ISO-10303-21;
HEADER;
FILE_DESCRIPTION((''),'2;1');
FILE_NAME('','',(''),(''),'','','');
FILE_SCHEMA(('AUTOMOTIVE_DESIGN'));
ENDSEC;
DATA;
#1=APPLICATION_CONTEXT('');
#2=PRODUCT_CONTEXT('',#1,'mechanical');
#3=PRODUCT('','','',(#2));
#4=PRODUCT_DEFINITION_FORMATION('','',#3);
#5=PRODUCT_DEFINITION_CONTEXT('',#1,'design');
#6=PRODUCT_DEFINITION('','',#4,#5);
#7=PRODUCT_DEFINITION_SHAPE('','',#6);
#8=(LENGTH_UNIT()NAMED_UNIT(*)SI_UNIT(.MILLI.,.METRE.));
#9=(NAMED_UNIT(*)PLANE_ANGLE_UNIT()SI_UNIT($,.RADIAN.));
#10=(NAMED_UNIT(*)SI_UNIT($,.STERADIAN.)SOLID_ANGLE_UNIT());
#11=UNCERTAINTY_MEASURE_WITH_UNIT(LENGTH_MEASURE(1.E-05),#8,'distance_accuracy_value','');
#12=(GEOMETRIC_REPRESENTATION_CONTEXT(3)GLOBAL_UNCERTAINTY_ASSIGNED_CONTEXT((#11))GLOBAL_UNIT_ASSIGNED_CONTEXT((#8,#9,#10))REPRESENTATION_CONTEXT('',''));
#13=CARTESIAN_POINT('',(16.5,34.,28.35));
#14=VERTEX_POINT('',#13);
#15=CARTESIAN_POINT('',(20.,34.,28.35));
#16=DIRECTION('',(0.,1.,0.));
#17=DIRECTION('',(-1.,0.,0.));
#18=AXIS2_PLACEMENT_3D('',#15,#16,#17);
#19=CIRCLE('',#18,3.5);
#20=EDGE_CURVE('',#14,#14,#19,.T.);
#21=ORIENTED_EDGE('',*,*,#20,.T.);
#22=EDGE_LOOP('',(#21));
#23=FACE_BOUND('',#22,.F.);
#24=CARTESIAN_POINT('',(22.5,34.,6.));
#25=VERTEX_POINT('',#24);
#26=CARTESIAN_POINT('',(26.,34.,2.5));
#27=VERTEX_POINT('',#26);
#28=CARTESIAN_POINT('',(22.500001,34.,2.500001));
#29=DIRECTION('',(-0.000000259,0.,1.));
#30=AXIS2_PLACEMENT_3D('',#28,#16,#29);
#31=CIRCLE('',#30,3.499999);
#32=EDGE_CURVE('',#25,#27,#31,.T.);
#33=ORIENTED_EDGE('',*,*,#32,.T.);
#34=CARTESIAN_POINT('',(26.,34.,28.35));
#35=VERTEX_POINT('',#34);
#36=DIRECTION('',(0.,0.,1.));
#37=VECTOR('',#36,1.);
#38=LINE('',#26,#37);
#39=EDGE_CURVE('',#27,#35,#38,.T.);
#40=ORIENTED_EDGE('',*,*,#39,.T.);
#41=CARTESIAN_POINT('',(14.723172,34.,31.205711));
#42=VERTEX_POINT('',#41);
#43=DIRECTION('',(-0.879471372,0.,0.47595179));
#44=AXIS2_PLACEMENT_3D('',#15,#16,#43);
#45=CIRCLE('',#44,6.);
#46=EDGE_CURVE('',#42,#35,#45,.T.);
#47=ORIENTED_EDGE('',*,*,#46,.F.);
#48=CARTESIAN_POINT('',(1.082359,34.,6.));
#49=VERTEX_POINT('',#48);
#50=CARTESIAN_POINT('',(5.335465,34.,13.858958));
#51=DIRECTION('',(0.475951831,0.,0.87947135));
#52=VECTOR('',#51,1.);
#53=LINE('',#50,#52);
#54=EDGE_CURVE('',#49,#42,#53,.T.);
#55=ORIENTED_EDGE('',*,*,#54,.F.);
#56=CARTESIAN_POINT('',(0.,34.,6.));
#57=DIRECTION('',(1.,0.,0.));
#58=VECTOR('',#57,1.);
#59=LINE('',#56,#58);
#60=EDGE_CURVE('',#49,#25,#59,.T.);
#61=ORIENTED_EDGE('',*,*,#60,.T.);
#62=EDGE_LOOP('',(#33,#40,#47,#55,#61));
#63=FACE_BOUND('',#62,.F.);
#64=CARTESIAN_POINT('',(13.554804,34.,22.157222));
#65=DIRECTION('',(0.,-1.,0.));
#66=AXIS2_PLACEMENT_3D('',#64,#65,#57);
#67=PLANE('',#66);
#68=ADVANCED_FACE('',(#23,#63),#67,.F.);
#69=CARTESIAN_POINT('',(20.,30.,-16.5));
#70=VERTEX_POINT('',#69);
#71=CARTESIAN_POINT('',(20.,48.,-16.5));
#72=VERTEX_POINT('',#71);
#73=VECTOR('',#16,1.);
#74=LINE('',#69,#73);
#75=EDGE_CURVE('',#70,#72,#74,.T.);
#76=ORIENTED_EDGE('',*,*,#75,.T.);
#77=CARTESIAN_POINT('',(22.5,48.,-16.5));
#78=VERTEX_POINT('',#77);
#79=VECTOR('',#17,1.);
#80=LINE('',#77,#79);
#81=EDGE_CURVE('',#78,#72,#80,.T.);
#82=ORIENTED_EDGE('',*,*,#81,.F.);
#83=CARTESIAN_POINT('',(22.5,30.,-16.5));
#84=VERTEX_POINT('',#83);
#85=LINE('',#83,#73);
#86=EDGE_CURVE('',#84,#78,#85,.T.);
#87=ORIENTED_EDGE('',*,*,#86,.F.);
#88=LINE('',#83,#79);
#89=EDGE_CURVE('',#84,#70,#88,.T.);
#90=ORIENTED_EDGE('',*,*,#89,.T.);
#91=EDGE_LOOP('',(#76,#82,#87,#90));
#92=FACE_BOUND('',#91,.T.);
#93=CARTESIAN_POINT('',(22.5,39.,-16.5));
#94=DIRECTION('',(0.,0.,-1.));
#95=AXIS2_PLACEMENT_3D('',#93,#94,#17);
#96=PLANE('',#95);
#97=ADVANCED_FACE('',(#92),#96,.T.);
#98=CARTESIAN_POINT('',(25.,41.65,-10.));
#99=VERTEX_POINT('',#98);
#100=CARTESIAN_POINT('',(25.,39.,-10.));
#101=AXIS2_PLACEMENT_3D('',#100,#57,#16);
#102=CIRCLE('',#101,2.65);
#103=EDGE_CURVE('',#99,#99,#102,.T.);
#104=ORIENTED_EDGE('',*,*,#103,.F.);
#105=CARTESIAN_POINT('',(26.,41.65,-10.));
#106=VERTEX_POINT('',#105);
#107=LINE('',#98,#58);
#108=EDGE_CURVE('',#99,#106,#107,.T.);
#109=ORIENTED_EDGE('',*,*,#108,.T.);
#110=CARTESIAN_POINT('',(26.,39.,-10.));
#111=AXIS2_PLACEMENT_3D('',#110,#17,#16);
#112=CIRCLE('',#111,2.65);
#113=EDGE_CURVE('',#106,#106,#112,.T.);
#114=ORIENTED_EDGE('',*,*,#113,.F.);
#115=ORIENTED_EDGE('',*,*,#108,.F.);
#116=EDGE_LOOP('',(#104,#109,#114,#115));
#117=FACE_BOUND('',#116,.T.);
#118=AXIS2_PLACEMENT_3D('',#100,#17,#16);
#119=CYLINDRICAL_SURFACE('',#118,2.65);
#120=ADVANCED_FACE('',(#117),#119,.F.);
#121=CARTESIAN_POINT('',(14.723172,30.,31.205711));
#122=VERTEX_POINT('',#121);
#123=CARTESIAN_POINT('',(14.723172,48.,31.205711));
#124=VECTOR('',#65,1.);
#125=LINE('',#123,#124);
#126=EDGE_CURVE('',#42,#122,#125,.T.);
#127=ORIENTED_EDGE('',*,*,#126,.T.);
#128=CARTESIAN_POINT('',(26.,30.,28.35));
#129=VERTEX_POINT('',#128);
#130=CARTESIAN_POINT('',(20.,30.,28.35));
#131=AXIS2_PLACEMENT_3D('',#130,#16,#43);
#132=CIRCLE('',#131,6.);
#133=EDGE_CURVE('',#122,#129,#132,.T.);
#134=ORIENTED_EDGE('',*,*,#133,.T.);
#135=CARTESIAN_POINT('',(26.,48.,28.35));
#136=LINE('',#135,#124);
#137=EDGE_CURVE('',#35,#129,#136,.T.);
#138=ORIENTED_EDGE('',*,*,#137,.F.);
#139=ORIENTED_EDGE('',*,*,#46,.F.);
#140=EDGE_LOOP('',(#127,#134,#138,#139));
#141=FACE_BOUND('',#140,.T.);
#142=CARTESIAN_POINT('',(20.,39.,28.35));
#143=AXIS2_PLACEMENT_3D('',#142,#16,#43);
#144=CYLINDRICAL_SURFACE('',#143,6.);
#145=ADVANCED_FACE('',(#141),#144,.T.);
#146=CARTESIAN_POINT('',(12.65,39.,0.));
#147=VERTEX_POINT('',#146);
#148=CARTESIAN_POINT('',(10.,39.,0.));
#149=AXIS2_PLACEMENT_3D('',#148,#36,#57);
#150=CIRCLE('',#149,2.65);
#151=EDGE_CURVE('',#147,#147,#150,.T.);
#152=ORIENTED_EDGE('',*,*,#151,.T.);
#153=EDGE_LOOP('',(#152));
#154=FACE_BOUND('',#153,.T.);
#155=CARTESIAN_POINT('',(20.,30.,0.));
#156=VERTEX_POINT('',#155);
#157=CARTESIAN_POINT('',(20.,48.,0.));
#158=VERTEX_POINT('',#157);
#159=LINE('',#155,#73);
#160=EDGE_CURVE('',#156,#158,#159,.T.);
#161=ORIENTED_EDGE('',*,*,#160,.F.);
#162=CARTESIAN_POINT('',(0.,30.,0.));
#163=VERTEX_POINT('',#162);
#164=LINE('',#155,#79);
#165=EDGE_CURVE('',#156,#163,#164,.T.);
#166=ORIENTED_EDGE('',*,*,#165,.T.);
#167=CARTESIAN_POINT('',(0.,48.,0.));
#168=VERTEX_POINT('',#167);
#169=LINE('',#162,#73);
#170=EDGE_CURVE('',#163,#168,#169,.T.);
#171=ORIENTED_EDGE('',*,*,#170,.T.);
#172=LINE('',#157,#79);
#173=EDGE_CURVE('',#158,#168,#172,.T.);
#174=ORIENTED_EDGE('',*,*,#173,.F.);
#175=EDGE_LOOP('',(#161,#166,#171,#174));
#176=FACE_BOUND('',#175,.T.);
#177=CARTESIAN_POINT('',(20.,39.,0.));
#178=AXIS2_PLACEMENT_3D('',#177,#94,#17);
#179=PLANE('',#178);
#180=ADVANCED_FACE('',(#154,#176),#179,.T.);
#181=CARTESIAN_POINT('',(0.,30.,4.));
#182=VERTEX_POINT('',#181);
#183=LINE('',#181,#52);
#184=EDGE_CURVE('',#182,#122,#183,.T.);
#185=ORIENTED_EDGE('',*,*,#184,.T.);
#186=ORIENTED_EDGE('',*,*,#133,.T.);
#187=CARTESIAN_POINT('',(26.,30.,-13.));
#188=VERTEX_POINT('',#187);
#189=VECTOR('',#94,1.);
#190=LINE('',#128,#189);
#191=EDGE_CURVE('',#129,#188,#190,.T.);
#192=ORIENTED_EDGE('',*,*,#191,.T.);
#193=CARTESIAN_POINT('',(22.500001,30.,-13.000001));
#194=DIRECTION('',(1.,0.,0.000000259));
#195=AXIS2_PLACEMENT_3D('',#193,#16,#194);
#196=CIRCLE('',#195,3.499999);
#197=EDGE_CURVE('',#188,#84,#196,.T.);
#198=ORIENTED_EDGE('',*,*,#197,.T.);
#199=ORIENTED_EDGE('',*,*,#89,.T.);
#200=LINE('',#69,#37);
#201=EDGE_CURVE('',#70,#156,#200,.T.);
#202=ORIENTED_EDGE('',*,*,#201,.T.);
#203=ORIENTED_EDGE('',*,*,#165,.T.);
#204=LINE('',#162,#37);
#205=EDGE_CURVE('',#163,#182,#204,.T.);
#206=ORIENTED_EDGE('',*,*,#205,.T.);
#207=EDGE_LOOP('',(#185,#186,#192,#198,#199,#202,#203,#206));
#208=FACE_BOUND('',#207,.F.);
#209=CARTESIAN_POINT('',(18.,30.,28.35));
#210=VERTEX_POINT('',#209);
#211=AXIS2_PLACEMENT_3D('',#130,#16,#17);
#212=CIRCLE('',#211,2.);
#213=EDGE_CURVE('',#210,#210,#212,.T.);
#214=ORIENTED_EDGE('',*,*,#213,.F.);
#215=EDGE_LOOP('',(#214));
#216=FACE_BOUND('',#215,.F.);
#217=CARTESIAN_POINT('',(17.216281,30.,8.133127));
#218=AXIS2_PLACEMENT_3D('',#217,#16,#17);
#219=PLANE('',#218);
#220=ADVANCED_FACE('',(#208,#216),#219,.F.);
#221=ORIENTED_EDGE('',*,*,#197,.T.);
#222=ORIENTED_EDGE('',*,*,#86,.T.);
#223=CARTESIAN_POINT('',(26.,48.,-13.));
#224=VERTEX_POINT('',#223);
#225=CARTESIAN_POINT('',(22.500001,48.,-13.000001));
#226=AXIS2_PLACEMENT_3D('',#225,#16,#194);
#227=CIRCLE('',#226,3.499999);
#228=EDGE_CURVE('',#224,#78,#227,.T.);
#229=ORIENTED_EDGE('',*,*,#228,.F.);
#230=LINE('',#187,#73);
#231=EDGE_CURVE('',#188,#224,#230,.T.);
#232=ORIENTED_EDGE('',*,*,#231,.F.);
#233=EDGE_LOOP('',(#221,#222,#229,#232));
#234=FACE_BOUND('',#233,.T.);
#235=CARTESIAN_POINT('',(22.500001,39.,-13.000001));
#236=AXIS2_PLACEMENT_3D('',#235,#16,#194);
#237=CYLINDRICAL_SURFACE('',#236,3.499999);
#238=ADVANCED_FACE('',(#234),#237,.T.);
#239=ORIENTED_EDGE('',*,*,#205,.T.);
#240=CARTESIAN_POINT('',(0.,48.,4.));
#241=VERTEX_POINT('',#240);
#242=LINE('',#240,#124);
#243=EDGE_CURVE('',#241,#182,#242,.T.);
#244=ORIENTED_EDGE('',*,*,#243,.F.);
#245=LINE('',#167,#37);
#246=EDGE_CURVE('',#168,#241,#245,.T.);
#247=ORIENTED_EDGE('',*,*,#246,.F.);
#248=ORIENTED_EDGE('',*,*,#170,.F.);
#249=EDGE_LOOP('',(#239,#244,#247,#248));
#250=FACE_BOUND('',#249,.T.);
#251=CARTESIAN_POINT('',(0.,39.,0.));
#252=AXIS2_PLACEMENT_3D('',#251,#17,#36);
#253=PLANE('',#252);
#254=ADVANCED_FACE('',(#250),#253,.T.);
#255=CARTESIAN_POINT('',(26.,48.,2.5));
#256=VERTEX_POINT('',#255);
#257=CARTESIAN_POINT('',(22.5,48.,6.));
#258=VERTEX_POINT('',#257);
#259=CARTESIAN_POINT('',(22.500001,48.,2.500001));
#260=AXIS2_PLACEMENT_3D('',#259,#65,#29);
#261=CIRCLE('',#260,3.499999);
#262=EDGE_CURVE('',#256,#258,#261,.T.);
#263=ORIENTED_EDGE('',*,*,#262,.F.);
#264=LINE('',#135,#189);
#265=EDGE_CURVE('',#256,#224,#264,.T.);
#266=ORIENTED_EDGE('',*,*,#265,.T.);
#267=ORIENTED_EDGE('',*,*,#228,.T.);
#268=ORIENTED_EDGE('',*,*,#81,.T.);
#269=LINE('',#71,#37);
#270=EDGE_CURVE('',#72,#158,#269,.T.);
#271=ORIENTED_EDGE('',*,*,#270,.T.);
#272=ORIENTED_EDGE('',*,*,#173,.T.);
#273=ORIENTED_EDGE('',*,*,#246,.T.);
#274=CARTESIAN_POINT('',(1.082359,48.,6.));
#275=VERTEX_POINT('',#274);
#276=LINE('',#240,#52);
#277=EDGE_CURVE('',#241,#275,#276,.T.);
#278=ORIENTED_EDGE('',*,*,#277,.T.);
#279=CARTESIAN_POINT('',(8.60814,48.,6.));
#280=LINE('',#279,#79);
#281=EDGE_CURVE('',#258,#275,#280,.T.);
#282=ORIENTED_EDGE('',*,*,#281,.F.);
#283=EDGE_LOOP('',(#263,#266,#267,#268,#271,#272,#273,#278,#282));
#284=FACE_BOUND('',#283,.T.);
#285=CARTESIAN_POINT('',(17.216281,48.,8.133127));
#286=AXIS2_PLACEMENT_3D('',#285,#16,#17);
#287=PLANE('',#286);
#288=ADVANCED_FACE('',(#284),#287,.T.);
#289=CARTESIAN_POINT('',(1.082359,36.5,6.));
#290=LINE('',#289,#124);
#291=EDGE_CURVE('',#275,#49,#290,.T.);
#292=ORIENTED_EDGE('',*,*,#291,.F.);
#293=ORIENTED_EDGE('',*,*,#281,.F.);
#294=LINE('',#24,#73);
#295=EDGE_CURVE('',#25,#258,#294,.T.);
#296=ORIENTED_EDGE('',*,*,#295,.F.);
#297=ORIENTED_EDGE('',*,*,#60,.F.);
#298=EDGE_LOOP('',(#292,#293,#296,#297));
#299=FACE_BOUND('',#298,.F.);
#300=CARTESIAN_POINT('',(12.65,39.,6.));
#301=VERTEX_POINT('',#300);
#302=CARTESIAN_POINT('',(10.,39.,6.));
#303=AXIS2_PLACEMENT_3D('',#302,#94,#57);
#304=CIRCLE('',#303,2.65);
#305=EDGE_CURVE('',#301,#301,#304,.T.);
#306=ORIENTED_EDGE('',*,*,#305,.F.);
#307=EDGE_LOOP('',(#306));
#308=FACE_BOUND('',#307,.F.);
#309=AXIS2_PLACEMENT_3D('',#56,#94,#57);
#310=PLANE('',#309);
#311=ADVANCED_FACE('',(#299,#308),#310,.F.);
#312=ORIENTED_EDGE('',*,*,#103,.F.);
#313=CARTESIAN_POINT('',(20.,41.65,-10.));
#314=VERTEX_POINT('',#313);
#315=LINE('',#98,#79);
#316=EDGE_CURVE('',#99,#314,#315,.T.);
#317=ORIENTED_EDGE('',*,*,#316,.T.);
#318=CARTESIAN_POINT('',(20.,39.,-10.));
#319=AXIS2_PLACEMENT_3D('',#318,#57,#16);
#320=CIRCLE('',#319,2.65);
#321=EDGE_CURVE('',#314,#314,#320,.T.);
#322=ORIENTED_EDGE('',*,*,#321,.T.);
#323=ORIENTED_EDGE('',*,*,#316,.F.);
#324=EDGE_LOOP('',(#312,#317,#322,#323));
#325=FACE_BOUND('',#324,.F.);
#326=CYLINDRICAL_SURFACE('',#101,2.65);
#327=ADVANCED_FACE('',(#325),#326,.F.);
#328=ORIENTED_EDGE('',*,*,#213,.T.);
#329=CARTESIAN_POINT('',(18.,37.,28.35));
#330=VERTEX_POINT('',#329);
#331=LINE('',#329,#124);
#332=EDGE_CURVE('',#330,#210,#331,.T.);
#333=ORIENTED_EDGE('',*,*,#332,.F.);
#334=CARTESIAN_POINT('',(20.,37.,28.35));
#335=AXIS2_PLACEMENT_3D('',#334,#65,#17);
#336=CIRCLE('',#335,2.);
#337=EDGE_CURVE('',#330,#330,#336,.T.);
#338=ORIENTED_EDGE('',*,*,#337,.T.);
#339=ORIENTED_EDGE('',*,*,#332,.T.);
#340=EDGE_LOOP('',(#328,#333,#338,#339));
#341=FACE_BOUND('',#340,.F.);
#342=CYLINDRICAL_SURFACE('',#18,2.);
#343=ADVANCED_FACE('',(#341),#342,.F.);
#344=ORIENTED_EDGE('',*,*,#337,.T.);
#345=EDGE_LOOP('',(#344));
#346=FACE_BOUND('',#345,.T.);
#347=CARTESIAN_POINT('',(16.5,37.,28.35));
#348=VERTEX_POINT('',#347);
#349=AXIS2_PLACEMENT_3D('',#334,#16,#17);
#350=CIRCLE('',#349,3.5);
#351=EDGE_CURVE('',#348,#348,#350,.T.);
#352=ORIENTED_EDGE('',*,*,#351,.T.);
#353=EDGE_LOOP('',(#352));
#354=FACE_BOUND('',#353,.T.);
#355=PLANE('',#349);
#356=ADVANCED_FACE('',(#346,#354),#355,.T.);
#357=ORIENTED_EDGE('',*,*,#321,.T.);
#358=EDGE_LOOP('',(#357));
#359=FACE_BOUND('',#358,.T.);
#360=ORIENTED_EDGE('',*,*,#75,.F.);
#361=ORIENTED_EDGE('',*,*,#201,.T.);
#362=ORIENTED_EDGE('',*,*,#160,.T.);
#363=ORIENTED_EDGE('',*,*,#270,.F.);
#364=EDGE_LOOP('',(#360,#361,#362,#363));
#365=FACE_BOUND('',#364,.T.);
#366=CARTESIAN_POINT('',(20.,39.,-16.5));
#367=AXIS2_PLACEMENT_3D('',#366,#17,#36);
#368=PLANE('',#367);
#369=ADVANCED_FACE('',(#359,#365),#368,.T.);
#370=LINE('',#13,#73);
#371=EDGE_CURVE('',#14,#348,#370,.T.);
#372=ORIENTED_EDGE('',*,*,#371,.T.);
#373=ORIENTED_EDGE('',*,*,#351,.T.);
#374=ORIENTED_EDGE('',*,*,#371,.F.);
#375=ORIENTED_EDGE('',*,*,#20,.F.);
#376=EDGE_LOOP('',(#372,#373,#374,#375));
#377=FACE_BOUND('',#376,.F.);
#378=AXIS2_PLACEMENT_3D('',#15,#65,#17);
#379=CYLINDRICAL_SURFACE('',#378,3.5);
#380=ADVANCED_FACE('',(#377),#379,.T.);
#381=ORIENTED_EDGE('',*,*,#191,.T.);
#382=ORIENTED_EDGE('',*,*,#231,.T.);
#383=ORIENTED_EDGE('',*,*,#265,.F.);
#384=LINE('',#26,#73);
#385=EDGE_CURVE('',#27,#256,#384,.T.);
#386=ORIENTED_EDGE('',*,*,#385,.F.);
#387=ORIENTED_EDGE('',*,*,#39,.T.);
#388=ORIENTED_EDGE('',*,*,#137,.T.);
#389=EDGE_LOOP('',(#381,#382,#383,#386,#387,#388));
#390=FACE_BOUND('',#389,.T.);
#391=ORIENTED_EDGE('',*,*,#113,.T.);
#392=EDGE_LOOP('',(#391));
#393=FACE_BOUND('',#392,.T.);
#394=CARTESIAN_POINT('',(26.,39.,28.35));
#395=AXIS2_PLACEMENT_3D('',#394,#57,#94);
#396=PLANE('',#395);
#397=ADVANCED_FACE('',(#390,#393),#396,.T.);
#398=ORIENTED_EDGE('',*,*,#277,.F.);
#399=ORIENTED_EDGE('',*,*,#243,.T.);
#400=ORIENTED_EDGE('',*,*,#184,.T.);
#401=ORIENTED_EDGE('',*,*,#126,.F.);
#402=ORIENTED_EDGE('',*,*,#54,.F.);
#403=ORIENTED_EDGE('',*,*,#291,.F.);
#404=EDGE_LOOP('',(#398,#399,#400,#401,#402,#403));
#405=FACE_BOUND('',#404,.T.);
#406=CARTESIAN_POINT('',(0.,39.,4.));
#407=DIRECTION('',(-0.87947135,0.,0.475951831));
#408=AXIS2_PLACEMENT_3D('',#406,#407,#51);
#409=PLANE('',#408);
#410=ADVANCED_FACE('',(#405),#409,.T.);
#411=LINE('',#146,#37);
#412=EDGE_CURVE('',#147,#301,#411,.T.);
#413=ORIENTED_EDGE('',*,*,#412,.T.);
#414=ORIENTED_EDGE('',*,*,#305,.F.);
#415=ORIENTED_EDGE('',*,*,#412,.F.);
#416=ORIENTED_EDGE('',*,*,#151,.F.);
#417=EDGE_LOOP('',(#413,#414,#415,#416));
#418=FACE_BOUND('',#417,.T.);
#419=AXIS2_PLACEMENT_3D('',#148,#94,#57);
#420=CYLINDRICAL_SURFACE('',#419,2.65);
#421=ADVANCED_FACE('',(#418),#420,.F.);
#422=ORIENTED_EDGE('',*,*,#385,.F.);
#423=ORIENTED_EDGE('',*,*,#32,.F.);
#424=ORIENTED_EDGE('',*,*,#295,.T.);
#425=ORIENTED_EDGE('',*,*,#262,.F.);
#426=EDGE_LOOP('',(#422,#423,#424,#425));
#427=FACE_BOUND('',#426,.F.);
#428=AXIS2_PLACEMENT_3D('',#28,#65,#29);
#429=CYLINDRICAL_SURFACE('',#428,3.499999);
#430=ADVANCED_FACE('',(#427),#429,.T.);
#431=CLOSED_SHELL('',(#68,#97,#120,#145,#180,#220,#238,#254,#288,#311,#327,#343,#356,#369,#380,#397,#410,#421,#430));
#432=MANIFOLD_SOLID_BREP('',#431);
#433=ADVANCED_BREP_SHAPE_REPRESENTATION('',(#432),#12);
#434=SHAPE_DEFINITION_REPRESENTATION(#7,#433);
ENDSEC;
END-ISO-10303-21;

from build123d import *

# Parameters (mm, degrees)
PAD013_DEPTH         = 9
POCKET017_DEPTH      = 14.001
SKETCH042_R          = 3.5
PAD014_DEPTH         = 3
SKETCH044_R          = 2
POCKET018_DEPTH      = 4.001
POCKET018_DEPTH_BACK = 14.001
SKETCH045_R          = 2.65
POCKET019_DEPTH      = 34.351
POCKET019_DEPTH_BACK = 16.501
SKETCH046_R          = 2.65
POCKET020_DEPTH      = 25.001
POCKET020_DEPTH_BACK = 1.001


with BuildPart() as part:
    # Sketch041 → Pad013 (new body, symmetric)
    with BuildSketch(Plane(origin=(0, 0, 0), x_dir=(-1, 0, 0), z_dir=(0, 1, 0))):
        with BuildLine():
            Line((-26, 28.35), (-26, -13))
            ThreePointArc((-26, -13), (-24.974874, -15.474874), (-22.5, -16.5))
            Line((-22.5, -16.5), (-20, -16.5))
            Line((-20, -16.5), (-20, 0))
            Line((-20, 0), (0, 0))
            Line((0, 0), (0, 4))
            Line((0, 4), (-14.723172, 31.205711))
            ThreePointArc((-14.723172, 31.205711), (-21.472928, 34.166398), (-26, 28.35))
        make_face()
    extrude(amount=PAD013_DEPTH, both=True)

    # Sketch043 → Pocket017 (cut, through all)
    with BuildSketch(Plane(origin=(0, -5, 0), x_dir=(-1, 0, 0), z_dir=(0, 1, 0))):
        with BuildLine():
            Line((-26, 2.5), (-26, 40))
            Line((-26, 40), (0, 40))
            Line((0, 40), (0, 6))
            Line((0, 6), (-22.5, 6))
            ThreePointArc((-22.5, 6), (-24.974874, 4.974874), (-26, 2.5))
        make_face()
    extrude(amount=POCKET017_DEPTH, mode=Mode.SUBTRACT)

    # Sketch042 → Pad014 (join)
    with BuildSketch(Plane(origin=(0, -5, 0), x_dir=(-1, 0, 0), z_dir=(0, 1, 0))):
        with Locations((-20, 28.35)):
            Circle(SKETCH042_R)
    extrude(amount=PAD014_DEPTH)

    # Sketch044 → Pocket018 (cut, two sides)
    with BuildSketch(Plane(origin=(0, -5, 0), x_dir=(-1, 0, 0), z_dir=(0, 1, 0))) as pocket018_sk:
        with Locations((-20, 28.35)):
            Circle(SKETCH044_R)
    extrude(amount=-POCKET018_DEPTH, mode=Mode.SUBTRACT)
    extrude(pocket018_sk.sketch, amount=POCKET018_DEPTH_BACK, mode=Mode.SUBTRACT)

    # Sketch045 → Pocket019 (cut, two sides)
    with BuildSketch(Plane(origin=(10, 0, 0), x_dir=(1, 0, 0), z_dir=(0, 0, 1))) as pocket019_sk:
        Circle(SKETCH045_R)
    extrude(amount=POCKET019_DEPTH, mode=Mode.SUBTRACT)
    extrude(pocket019_sk.sketch, amount=-POCKET019_DEPTH_BACK, mode=Mode.SUBTRACT)

    # Sketch046 → Pocket020 (cut, two sides)
    with BuildSketch(Plane(origin=(25, 0, -10), x_dir=(0, 1, 0), z_dir=(1, 0, 0))) as pocket020_sk:
        Circle(SKETCH046_R)
    extrude(amount=-POCKET020_DEPTH, mode=Mode.SUBTRACT)
    extrude(pocket020_sk.sketch, amount=POCKET020_DEPTH_BACK, mode=Mode.SUBTRACT)


with BuildPart() as part_1:
    # Body018 placement: moved
    add(part.part.moved(Location((0, 39, 0))))


solid = part_1.part
